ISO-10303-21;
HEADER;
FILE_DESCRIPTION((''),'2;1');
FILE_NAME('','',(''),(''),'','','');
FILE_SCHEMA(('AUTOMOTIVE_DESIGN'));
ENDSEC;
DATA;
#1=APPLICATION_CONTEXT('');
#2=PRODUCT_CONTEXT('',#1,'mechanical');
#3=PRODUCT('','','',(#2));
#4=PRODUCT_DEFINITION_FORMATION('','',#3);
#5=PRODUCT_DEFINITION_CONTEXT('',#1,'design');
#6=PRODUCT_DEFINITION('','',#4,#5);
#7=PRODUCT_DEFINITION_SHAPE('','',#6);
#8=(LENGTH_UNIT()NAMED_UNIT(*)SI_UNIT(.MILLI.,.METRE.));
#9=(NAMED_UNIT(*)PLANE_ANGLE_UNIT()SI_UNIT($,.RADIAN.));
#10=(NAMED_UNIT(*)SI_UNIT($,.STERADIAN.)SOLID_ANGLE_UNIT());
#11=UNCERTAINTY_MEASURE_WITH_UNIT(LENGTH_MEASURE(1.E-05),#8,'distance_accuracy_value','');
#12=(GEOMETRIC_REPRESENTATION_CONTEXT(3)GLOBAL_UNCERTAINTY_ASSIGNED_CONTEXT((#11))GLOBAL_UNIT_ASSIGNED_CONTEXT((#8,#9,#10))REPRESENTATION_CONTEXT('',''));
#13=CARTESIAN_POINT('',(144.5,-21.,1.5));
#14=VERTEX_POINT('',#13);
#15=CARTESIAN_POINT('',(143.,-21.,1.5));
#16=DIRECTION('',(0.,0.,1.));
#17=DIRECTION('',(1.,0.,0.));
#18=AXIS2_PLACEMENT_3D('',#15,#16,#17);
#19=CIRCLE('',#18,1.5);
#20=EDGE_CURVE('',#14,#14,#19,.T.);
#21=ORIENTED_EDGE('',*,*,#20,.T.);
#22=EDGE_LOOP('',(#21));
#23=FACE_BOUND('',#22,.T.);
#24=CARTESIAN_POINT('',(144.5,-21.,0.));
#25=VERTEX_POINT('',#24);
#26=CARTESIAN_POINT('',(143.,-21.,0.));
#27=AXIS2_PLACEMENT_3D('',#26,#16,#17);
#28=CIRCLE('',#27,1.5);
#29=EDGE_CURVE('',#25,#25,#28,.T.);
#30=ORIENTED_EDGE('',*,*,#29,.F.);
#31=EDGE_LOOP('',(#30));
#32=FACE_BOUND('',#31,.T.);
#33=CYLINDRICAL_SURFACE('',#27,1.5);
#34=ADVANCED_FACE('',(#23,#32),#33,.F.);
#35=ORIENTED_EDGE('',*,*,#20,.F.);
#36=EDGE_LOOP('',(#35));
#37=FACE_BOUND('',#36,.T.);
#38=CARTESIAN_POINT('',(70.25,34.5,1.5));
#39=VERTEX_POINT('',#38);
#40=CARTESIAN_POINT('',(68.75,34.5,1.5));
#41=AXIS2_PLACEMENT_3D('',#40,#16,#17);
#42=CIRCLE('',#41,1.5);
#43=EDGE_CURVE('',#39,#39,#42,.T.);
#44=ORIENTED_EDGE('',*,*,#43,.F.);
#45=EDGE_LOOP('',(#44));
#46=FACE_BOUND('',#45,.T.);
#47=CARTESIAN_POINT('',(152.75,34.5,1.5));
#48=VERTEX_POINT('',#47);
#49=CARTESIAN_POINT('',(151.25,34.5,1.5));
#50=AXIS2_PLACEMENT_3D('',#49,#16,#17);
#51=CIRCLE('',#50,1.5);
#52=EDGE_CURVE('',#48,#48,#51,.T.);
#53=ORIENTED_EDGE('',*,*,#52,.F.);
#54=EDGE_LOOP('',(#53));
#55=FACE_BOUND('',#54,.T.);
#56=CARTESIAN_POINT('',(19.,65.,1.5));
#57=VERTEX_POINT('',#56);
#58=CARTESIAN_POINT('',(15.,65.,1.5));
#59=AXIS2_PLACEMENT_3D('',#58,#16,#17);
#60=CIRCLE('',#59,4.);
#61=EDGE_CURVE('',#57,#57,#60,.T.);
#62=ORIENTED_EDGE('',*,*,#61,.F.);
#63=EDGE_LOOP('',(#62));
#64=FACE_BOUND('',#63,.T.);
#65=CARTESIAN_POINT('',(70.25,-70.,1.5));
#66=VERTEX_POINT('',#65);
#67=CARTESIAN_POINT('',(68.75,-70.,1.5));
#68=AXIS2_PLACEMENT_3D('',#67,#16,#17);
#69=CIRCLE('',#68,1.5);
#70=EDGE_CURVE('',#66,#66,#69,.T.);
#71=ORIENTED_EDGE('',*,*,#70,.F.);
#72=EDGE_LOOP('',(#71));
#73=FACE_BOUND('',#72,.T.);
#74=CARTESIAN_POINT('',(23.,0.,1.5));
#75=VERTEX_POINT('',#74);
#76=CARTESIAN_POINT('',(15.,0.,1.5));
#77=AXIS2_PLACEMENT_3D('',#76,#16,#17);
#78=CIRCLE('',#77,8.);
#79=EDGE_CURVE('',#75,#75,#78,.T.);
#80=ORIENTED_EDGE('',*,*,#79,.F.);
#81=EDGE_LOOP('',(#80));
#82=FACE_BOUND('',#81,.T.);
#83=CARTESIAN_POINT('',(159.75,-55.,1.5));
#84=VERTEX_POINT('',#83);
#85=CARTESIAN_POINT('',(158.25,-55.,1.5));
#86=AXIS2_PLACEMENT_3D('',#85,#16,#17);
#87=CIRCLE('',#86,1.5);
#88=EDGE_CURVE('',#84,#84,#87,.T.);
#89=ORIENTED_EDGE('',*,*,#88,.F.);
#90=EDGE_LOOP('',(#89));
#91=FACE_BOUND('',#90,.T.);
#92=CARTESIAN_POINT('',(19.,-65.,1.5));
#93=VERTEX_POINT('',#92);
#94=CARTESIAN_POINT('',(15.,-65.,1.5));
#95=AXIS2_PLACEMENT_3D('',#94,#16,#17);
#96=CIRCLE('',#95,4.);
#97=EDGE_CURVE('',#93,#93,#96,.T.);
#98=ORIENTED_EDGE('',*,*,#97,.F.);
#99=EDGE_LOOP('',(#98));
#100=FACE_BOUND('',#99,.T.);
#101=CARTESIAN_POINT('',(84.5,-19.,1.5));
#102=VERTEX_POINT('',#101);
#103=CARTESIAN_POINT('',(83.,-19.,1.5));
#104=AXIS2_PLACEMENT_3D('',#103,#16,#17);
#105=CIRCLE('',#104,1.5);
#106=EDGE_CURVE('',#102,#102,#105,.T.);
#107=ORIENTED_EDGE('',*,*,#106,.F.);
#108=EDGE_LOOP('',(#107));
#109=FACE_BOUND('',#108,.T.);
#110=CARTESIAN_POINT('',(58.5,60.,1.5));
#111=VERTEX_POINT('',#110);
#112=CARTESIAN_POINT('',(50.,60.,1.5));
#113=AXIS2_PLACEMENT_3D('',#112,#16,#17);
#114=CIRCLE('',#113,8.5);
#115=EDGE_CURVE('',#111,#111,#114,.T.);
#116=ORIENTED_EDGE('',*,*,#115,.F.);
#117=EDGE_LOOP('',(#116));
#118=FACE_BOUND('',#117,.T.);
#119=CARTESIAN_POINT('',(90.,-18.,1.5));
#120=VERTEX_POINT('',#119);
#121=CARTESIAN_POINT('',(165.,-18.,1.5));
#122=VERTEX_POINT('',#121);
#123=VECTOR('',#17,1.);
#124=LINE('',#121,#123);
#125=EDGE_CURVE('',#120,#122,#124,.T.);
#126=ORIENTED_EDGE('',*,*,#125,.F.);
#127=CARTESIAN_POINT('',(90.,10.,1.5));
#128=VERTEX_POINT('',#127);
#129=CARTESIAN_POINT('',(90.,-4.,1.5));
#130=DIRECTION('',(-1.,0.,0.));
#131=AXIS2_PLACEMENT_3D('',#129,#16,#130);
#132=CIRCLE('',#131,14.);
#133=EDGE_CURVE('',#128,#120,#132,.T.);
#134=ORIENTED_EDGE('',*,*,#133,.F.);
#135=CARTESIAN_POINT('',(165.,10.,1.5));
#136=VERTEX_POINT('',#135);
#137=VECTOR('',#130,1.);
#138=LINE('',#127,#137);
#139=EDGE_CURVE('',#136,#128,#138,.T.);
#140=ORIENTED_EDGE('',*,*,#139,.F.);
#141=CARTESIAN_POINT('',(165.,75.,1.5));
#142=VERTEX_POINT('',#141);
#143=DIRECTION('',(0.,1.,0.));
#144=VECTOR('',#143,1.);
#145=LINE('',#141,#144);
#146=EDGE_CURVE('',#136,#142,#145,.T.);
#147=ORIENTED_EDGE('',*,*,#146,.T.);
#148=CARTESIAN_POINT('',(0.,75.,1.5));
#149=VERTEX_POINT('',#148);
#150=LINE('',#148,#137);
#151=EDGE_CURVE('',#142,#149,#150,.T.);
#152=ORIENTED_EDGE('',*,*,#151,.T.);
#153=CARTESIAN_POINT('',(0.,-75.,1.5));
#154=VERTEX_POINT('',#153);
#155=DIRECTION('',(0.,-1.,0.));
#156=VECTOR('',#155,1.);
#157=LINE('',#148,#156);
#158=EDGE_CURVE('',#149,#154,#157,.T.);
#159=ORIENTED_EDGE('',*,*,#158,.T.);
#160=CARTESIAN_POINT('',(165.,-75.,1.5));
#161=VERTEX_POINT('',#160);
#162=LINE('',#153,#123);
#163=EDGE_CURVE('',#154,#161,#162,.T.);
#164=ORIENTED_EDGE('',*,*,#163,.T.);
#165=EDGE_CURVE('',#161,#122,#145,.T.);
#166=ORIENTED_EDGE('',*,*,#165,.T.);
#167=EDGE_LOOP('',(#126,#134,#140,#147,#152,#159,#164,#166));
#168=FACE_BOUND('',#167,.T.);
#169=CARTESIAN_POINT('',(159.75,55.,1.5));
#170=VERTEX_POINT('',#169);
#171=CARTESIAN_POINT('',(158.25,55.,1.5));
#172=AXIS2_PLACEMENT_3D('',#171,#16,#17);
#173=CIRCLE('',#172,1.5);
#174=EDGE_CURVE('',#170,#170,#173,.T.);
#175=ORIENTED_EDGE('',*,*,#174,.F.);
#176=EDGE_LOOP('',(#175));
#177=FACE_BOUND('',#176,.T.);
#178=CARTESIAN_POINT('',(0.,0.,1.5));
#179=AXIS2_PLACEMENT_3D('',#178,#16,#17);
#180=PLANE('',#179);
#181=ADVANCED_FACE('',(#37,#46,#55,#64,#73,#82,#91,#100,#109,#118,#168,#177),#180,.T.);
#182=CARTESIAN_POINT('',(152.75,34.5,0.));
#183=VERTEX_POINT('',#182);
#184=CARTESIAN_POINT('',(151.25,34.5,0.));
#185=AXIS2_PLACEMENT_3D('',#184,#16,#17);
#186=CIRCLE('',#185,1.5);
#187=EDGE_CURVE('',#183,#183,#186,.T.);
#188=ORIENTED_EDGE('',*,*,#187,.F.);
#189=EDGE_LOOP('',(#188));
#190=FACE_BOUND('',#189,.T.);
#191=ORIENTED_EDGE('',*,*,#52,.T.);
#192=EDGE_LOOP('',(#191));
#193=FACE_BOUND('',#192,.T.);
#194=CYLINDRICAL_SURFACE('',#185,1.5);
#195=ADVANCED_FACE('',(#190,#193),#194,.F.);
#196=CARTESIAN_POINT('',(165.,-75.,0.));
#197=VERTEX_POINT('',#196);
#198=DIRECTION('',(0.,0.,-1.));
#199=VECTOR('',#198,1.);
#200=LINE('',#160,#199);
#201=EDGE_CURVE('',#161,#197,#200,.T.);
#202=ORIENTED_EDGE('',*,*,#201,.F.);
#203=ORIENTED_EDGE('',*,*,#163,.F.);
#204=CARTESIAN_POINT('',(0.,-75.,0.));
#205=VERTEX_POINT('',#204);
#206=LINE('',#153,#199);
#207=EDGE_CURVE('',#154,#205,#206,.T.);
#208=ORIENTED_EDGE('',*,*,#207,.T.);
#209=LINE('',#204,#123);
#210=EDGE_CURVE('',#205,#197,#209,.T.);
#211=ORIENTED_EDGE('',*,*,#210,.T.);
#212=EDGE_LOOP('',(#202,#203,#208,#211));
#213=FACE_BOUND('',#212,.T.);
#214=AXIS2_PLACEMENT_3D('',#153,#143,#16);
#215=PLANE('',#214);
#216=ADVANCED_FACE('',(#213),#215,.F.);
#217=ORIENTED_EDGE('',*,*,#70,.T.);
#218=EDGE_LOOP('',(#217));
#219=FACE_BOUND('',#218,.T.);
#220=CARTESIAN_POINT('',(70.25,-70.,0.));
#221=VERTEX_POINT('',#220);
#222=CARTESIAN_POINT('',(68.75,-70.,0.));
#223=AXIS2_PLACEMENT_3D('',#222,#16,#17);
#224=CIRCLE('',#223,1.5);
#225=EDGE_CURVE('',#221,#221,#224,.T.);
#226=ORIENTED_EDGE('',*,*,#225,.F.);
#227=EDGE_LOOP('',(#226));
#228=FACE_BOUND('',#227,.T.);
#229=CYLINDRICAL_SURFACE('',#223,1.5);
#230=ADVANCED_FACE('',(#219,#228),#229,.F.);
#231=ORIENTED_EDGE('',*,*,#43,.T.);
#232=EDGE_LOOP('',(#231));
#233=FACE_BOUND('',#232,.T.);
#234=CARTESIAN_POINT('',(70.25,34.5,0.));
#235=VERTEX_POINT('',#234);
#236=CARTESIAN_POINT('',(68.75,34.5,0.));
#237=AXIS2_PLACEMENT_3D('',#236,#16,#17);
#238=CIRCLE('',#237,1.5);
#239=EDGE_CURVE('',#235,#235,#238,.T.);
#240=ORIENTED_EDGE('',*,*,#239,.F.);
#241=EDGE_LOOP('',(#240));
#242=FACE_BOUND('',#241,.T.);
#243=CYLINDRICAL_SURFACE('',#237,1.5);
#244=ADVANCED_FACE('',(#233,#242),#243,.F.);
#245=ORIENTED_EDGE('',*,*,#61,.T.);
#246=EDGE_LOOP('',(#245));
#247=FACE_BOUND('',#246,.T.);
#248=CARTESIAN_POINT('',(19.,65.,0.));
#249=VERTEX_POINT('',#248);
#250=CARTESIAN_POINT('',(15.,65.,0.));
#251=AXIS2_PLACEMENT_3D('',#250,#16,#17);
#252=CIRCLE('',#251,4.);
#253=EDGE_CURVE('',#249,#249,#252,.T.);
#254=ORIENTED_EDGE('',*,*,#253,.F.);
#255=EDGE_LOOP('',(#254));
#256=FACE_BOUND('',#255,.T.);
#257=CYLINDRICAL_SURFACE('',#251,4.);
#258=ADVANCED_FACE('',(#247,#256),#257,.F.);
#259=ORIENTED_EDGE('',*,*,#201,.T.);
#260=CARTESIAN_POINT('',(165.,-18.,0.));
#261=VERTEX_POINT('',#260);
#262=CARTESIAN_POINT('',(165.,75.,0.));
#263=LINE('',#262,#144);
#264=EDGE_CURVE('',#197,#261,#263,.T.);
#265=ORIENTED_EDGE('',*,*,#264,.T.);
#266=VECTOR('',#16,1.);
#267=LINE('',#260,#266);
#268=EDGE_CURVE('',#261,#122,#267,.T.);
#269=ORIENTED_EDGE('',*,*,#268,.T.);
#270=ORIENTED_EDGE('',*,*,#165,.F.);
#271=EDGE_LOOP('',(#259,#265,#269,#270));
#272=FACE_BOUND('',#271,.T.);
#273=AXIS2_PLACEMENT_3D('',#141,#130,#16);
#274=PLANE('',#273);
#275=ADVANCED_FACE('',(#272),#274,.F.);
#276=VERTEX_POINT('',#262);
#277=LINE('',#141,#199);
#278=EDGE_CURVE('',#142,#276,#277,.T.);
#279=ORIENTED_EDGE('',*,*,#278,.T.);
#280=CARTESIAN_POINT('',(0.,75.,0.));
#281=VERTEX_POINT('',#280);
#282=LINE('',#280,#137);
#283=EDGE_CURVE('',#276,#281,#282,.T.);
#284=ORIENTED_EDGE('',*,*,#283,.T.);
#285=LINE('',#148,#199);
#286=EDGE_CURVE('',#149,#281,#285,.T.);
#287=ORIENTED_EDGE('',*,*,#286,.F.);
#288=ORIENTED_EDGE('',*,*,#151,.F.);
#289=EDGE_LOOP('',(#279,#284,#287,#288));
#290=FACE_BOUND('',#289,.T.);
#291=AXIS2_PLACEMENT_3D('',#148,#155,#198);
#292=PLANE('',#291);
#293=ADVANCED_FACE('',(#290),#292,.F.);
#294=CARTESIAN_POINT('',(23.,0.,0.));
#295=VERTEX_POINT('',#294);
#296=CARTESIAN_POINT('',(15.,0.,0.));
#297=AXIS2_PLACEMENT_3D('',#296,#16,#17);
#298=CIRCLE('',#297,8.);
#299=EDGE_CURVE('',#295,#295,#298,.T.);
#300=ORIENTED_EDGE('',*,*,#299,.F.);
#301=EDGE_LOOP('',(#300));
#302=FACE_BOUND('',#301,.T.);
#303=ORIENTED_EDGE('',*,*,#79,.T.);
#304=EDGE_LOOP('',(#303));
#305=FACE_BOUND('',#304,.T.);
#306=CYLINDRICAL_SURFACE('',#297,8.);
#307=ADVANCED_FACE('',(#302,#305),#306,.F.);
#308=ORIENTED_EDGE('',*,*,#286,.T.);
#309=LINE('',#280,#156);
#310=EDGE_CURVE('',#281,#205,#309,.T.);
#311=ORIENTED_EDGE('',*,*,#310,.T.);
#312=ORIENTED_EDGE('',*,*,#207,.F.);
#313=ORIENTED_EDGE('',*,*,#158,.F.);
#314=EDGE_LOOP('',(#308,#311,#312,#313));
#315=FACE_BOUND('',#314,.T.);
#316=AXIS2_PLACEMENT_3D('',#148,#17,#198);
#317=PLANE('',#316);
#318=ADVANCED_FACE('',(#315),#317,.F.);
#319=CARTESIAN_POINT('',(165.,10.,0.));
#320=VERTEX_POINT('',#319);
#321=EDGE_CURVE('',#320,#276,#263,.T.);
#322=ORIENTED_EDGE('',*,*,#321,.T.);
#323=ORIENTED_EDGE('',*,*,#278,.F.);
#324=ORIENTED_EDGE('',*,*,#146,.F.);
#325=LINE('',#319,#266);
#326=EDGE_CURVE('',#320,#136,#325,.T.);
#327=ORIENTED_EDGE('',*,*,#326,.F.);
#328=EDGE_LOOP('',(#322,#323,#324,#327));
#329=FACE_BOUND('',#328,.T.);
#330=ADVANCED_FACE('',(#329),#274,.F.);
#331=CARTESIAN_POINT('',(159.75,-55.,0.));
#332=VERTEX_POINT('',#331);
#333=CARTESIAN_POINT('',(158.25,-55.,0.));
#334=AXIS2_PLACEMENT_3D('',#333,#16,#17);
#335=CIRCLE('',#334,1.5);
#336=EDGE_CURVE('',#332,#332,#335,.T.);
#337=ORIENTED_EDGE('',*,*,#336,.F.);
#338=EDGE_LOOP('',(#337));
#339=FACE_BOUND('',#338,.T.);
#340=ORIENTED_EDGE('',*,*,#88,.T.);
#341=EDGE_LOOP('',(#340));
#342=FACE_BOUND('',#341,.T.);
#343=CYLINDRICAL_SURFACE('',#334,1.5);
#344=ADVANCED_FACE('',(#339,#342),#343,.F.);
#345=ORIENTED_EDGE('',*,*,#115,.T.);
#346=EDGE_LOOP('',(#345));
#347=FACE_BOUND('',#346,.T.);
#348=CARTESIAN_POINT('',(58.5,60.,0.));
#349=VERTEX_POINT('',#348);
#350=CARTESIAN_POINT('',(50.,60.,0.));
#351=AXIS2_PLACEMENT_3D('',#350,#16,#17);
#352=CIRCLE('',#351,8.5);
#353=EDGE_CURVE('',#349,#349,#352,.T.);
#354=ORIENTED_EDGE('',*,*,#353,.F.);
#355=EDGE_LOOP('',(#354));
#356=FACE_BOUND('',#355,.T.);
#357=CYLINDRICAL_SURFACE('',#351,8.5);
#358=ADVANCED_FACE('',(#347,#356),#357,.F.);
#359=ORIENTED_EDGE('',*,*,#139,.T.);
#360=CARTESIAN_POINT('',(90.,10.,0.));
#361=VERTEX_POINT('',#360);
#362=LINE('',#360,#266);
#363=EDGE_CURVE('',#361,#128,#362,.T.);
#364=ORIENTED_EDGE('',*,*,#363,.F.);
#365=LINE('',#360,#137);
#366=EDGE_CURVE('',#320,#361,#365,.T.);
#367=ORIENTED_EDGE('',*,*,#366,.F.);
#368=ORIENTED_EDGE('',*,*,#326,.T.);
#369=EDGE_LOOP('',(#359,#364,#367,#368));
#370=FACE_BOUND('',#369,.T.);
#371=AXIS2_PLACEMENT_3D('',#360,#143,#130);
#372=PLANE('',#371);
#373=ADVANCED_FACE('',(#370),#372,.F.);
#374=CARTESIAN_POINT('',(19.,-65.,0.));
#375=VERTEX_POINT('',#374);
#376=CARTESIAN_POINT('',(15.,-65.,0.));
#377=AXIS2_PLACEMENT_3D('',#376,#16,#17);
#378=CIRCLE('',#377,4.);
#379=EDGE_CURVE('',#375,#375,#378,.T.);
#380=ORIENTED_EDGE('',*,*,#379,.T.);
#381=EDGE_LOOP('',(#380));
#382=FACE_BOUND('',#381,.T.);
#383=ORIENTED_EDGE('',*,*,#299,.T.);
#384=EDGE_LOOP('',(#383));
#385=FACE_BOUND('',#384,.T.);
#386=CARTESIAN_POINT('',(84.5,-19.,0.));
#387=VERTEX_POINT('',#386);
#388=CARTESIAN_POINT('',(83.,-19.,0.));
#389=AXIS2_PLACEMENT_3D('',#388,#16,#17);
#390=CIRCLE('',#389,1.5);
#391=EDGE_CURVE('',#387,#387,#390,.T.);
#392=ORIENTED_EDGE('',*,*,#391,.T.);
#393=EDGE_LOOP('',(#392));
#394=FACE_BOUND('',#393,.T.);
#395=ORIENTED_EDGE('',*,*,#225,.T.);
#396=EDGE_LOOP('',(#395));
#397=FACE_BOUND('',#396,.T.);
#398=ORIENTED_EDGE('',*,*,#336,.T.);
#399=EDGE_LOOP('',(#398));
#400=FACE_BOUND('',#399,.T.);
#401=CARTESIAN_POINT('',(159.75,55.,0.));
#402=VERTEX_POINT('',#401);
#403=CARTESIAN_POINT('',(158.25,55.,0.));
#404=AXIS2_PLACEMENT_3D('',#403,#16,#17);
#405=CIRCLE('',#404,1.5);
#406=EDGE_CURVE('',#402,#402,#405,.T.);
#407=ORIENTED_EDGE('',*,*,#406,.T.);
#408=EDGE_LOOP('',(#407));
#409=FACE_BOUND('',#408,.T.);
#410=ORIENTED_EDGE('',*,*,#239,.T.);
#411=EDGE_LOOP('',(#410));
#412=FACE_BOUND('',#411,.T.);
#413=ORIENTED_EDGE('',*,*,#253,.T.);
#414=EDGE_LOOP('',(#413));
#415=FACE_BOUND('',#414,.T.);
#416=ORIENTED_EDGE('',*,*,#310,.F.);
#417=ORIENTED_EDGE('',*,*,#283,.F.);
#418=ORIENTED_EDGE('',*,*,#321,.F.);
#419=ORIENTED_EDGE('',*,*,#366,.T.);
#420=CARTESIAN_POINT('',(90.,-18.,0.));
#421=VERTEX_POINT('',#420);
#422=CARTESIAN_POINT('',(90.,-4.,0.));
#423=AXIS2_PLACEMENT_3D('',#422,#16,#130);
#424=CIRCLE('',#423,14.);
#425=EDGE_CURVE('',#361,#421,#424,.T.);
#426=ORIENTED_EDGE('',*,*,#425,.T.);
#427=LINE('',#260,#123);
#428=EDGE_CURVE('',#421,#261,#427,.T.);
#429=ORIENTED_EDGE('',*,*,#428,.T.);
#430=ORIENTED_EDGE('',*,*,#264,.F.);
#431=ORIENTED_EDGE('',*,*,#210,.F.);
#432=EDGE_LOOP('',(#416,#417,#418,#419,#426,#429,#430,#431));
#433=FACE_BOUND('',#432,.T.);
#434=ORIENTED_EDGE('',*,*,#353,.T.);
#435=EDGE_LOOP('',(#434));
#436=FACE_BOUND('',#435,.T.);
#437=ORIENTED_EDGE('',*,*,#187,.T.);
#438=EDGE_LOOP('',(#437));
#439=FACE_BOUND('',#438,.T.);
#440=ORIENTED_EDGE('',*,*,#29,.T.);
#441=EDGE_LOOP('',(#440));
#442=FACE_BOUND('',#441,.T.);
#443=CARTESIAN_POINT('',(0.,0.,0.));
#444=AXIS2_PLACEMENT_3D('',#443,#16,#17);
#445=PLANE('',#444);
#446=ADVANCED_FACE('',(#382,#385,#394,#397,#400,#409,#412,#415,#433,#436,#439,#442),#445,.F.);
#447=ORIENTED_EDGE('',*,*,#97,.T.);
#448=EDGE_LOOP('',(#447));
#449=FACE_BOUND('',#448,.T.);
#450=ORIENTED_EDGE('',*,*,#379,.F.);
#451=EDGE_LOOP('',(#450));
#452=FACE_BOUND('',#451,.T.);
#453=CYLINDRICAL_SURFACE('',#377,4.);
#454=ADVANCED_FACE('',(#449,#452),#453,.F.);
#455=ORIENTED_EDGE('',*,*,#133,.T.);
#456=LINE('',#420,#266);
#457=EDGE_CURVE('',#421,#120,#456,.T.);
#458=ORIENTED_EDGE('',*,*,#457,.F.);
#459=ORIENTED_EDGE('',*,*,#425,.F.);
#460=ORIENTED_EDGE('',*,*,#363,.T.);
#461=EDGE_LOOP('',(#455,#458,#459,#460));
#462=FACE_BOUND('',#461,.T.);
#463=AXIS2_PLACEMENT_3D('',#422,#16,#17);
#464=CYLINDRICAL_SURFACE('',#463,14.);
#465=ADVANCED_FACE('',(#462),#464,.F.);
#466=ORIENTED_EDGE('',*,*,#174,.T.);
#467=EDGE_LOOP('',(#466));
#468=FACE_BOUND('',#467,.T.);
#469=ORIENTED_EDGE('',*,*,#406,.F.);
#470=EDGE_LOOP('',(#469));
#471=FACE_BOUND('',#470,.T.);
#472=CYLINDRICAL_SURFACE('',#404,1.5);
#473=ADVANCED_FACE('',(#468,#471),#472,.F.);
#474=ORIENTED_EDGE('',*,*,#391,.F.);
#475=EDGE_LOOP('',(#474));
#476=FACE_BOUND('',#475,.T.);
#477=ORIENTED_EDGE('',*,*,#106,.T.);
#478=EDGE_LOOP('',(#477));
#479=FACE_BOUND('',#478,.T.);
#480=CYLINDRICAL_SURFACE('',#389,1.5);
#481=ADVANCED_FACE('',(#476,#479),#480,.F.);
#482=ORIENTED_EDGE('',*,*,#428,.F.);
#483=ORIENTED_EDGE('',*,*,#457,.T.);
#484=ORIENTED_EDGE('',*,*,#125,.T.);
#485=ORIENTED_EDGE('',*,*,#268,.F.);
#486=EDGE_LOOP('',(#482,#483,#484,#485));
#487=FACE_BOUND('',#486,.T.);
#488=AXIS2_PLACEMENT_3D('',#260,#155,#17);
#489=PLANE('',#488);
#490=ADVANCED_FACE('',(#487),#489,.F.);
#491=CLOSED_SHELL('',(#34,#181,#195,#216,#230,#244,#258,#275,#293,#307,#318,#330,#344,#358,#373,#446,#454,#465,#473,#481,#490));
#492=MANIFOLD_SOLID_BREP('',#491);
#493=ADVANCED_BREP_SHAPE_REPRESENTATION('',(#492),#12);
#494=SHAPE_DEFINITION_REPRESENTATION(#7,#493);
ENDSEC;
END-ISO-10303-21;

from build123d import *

# Parameters (mm, degrees)
ESQUISSE1_W             = 165
ESQUISSE1_H             = 150
BOSS_EXTRU_1_DEPTH      = 1.5
ESQUISSE2_R             = 1.5
ESQUISSE2_R_2           = 8
ESQUISSE2_R_3           = 4
ESQUISSE2_R_4           = 8.5
ENL_V_MAT_EXTRU_1_DEPTH = 182.251896542


with BuildPart() as part:
    # Esquisse1 → Boss.-Extru.1 (new body)
    with BuildSketch(Plane.XY):
        with Locations((82.5, 0)):
            Rectangle(ESQUISSE1_W, ESQUISSE1_H)
    extrude(amount=BOSS_EXTRU_1_DEPTH)

    # Esquisse2 → Enlèv. mat.-Extru.1 (cut, through all)
    with BuildSketch(Plane.XY.offset(1.5)):
        with Locations((158.25, 55)):
            Circle(ESQUISSE2_R)
        with Locations((158.25, -55)):
            Circle(ESQUISSE2_R)
        with Locations((151.25, 34.5)):
            Circle(ESQUISSE2_R)
        with Locations((83, -19)):
            Circle(ESQUISSE2_R)
        with Locations((143, -21)):
            Circle(ESQUISSE2_R)
        with Locations((15, 0)):
            Circle(ESQUISSE2_R_2)
        with Locations((15, 65)):
            Circle(ESQUISSE2_R_3)
        with Locations((15, -65)):
            Circle(ESQUISSE2_R_3)
        with Locations((50, 60)):
            Circle(ESQUISSE2_R_4)
        with Locations((68.75, 34.5)):
            Circle(ESQUISSE2_R)
        with Locations((68.75, -70)):
            Circle(ESQUISSE2_R)
        with BuildLine():
            Line((90, 10), (165, 10))
            ThreePointArc((165, 10), (179, -4), (165, -18))
            Line((165, -18), (90, -18))
            ThreePointArc((90, -18), (76, -4), (90, 10))
        make_face()
    extrude(amount=-ENL_V_MAT_EXTRU_1_DEPTH, mode=Mode.SUBTRACT)


solid = part.part
